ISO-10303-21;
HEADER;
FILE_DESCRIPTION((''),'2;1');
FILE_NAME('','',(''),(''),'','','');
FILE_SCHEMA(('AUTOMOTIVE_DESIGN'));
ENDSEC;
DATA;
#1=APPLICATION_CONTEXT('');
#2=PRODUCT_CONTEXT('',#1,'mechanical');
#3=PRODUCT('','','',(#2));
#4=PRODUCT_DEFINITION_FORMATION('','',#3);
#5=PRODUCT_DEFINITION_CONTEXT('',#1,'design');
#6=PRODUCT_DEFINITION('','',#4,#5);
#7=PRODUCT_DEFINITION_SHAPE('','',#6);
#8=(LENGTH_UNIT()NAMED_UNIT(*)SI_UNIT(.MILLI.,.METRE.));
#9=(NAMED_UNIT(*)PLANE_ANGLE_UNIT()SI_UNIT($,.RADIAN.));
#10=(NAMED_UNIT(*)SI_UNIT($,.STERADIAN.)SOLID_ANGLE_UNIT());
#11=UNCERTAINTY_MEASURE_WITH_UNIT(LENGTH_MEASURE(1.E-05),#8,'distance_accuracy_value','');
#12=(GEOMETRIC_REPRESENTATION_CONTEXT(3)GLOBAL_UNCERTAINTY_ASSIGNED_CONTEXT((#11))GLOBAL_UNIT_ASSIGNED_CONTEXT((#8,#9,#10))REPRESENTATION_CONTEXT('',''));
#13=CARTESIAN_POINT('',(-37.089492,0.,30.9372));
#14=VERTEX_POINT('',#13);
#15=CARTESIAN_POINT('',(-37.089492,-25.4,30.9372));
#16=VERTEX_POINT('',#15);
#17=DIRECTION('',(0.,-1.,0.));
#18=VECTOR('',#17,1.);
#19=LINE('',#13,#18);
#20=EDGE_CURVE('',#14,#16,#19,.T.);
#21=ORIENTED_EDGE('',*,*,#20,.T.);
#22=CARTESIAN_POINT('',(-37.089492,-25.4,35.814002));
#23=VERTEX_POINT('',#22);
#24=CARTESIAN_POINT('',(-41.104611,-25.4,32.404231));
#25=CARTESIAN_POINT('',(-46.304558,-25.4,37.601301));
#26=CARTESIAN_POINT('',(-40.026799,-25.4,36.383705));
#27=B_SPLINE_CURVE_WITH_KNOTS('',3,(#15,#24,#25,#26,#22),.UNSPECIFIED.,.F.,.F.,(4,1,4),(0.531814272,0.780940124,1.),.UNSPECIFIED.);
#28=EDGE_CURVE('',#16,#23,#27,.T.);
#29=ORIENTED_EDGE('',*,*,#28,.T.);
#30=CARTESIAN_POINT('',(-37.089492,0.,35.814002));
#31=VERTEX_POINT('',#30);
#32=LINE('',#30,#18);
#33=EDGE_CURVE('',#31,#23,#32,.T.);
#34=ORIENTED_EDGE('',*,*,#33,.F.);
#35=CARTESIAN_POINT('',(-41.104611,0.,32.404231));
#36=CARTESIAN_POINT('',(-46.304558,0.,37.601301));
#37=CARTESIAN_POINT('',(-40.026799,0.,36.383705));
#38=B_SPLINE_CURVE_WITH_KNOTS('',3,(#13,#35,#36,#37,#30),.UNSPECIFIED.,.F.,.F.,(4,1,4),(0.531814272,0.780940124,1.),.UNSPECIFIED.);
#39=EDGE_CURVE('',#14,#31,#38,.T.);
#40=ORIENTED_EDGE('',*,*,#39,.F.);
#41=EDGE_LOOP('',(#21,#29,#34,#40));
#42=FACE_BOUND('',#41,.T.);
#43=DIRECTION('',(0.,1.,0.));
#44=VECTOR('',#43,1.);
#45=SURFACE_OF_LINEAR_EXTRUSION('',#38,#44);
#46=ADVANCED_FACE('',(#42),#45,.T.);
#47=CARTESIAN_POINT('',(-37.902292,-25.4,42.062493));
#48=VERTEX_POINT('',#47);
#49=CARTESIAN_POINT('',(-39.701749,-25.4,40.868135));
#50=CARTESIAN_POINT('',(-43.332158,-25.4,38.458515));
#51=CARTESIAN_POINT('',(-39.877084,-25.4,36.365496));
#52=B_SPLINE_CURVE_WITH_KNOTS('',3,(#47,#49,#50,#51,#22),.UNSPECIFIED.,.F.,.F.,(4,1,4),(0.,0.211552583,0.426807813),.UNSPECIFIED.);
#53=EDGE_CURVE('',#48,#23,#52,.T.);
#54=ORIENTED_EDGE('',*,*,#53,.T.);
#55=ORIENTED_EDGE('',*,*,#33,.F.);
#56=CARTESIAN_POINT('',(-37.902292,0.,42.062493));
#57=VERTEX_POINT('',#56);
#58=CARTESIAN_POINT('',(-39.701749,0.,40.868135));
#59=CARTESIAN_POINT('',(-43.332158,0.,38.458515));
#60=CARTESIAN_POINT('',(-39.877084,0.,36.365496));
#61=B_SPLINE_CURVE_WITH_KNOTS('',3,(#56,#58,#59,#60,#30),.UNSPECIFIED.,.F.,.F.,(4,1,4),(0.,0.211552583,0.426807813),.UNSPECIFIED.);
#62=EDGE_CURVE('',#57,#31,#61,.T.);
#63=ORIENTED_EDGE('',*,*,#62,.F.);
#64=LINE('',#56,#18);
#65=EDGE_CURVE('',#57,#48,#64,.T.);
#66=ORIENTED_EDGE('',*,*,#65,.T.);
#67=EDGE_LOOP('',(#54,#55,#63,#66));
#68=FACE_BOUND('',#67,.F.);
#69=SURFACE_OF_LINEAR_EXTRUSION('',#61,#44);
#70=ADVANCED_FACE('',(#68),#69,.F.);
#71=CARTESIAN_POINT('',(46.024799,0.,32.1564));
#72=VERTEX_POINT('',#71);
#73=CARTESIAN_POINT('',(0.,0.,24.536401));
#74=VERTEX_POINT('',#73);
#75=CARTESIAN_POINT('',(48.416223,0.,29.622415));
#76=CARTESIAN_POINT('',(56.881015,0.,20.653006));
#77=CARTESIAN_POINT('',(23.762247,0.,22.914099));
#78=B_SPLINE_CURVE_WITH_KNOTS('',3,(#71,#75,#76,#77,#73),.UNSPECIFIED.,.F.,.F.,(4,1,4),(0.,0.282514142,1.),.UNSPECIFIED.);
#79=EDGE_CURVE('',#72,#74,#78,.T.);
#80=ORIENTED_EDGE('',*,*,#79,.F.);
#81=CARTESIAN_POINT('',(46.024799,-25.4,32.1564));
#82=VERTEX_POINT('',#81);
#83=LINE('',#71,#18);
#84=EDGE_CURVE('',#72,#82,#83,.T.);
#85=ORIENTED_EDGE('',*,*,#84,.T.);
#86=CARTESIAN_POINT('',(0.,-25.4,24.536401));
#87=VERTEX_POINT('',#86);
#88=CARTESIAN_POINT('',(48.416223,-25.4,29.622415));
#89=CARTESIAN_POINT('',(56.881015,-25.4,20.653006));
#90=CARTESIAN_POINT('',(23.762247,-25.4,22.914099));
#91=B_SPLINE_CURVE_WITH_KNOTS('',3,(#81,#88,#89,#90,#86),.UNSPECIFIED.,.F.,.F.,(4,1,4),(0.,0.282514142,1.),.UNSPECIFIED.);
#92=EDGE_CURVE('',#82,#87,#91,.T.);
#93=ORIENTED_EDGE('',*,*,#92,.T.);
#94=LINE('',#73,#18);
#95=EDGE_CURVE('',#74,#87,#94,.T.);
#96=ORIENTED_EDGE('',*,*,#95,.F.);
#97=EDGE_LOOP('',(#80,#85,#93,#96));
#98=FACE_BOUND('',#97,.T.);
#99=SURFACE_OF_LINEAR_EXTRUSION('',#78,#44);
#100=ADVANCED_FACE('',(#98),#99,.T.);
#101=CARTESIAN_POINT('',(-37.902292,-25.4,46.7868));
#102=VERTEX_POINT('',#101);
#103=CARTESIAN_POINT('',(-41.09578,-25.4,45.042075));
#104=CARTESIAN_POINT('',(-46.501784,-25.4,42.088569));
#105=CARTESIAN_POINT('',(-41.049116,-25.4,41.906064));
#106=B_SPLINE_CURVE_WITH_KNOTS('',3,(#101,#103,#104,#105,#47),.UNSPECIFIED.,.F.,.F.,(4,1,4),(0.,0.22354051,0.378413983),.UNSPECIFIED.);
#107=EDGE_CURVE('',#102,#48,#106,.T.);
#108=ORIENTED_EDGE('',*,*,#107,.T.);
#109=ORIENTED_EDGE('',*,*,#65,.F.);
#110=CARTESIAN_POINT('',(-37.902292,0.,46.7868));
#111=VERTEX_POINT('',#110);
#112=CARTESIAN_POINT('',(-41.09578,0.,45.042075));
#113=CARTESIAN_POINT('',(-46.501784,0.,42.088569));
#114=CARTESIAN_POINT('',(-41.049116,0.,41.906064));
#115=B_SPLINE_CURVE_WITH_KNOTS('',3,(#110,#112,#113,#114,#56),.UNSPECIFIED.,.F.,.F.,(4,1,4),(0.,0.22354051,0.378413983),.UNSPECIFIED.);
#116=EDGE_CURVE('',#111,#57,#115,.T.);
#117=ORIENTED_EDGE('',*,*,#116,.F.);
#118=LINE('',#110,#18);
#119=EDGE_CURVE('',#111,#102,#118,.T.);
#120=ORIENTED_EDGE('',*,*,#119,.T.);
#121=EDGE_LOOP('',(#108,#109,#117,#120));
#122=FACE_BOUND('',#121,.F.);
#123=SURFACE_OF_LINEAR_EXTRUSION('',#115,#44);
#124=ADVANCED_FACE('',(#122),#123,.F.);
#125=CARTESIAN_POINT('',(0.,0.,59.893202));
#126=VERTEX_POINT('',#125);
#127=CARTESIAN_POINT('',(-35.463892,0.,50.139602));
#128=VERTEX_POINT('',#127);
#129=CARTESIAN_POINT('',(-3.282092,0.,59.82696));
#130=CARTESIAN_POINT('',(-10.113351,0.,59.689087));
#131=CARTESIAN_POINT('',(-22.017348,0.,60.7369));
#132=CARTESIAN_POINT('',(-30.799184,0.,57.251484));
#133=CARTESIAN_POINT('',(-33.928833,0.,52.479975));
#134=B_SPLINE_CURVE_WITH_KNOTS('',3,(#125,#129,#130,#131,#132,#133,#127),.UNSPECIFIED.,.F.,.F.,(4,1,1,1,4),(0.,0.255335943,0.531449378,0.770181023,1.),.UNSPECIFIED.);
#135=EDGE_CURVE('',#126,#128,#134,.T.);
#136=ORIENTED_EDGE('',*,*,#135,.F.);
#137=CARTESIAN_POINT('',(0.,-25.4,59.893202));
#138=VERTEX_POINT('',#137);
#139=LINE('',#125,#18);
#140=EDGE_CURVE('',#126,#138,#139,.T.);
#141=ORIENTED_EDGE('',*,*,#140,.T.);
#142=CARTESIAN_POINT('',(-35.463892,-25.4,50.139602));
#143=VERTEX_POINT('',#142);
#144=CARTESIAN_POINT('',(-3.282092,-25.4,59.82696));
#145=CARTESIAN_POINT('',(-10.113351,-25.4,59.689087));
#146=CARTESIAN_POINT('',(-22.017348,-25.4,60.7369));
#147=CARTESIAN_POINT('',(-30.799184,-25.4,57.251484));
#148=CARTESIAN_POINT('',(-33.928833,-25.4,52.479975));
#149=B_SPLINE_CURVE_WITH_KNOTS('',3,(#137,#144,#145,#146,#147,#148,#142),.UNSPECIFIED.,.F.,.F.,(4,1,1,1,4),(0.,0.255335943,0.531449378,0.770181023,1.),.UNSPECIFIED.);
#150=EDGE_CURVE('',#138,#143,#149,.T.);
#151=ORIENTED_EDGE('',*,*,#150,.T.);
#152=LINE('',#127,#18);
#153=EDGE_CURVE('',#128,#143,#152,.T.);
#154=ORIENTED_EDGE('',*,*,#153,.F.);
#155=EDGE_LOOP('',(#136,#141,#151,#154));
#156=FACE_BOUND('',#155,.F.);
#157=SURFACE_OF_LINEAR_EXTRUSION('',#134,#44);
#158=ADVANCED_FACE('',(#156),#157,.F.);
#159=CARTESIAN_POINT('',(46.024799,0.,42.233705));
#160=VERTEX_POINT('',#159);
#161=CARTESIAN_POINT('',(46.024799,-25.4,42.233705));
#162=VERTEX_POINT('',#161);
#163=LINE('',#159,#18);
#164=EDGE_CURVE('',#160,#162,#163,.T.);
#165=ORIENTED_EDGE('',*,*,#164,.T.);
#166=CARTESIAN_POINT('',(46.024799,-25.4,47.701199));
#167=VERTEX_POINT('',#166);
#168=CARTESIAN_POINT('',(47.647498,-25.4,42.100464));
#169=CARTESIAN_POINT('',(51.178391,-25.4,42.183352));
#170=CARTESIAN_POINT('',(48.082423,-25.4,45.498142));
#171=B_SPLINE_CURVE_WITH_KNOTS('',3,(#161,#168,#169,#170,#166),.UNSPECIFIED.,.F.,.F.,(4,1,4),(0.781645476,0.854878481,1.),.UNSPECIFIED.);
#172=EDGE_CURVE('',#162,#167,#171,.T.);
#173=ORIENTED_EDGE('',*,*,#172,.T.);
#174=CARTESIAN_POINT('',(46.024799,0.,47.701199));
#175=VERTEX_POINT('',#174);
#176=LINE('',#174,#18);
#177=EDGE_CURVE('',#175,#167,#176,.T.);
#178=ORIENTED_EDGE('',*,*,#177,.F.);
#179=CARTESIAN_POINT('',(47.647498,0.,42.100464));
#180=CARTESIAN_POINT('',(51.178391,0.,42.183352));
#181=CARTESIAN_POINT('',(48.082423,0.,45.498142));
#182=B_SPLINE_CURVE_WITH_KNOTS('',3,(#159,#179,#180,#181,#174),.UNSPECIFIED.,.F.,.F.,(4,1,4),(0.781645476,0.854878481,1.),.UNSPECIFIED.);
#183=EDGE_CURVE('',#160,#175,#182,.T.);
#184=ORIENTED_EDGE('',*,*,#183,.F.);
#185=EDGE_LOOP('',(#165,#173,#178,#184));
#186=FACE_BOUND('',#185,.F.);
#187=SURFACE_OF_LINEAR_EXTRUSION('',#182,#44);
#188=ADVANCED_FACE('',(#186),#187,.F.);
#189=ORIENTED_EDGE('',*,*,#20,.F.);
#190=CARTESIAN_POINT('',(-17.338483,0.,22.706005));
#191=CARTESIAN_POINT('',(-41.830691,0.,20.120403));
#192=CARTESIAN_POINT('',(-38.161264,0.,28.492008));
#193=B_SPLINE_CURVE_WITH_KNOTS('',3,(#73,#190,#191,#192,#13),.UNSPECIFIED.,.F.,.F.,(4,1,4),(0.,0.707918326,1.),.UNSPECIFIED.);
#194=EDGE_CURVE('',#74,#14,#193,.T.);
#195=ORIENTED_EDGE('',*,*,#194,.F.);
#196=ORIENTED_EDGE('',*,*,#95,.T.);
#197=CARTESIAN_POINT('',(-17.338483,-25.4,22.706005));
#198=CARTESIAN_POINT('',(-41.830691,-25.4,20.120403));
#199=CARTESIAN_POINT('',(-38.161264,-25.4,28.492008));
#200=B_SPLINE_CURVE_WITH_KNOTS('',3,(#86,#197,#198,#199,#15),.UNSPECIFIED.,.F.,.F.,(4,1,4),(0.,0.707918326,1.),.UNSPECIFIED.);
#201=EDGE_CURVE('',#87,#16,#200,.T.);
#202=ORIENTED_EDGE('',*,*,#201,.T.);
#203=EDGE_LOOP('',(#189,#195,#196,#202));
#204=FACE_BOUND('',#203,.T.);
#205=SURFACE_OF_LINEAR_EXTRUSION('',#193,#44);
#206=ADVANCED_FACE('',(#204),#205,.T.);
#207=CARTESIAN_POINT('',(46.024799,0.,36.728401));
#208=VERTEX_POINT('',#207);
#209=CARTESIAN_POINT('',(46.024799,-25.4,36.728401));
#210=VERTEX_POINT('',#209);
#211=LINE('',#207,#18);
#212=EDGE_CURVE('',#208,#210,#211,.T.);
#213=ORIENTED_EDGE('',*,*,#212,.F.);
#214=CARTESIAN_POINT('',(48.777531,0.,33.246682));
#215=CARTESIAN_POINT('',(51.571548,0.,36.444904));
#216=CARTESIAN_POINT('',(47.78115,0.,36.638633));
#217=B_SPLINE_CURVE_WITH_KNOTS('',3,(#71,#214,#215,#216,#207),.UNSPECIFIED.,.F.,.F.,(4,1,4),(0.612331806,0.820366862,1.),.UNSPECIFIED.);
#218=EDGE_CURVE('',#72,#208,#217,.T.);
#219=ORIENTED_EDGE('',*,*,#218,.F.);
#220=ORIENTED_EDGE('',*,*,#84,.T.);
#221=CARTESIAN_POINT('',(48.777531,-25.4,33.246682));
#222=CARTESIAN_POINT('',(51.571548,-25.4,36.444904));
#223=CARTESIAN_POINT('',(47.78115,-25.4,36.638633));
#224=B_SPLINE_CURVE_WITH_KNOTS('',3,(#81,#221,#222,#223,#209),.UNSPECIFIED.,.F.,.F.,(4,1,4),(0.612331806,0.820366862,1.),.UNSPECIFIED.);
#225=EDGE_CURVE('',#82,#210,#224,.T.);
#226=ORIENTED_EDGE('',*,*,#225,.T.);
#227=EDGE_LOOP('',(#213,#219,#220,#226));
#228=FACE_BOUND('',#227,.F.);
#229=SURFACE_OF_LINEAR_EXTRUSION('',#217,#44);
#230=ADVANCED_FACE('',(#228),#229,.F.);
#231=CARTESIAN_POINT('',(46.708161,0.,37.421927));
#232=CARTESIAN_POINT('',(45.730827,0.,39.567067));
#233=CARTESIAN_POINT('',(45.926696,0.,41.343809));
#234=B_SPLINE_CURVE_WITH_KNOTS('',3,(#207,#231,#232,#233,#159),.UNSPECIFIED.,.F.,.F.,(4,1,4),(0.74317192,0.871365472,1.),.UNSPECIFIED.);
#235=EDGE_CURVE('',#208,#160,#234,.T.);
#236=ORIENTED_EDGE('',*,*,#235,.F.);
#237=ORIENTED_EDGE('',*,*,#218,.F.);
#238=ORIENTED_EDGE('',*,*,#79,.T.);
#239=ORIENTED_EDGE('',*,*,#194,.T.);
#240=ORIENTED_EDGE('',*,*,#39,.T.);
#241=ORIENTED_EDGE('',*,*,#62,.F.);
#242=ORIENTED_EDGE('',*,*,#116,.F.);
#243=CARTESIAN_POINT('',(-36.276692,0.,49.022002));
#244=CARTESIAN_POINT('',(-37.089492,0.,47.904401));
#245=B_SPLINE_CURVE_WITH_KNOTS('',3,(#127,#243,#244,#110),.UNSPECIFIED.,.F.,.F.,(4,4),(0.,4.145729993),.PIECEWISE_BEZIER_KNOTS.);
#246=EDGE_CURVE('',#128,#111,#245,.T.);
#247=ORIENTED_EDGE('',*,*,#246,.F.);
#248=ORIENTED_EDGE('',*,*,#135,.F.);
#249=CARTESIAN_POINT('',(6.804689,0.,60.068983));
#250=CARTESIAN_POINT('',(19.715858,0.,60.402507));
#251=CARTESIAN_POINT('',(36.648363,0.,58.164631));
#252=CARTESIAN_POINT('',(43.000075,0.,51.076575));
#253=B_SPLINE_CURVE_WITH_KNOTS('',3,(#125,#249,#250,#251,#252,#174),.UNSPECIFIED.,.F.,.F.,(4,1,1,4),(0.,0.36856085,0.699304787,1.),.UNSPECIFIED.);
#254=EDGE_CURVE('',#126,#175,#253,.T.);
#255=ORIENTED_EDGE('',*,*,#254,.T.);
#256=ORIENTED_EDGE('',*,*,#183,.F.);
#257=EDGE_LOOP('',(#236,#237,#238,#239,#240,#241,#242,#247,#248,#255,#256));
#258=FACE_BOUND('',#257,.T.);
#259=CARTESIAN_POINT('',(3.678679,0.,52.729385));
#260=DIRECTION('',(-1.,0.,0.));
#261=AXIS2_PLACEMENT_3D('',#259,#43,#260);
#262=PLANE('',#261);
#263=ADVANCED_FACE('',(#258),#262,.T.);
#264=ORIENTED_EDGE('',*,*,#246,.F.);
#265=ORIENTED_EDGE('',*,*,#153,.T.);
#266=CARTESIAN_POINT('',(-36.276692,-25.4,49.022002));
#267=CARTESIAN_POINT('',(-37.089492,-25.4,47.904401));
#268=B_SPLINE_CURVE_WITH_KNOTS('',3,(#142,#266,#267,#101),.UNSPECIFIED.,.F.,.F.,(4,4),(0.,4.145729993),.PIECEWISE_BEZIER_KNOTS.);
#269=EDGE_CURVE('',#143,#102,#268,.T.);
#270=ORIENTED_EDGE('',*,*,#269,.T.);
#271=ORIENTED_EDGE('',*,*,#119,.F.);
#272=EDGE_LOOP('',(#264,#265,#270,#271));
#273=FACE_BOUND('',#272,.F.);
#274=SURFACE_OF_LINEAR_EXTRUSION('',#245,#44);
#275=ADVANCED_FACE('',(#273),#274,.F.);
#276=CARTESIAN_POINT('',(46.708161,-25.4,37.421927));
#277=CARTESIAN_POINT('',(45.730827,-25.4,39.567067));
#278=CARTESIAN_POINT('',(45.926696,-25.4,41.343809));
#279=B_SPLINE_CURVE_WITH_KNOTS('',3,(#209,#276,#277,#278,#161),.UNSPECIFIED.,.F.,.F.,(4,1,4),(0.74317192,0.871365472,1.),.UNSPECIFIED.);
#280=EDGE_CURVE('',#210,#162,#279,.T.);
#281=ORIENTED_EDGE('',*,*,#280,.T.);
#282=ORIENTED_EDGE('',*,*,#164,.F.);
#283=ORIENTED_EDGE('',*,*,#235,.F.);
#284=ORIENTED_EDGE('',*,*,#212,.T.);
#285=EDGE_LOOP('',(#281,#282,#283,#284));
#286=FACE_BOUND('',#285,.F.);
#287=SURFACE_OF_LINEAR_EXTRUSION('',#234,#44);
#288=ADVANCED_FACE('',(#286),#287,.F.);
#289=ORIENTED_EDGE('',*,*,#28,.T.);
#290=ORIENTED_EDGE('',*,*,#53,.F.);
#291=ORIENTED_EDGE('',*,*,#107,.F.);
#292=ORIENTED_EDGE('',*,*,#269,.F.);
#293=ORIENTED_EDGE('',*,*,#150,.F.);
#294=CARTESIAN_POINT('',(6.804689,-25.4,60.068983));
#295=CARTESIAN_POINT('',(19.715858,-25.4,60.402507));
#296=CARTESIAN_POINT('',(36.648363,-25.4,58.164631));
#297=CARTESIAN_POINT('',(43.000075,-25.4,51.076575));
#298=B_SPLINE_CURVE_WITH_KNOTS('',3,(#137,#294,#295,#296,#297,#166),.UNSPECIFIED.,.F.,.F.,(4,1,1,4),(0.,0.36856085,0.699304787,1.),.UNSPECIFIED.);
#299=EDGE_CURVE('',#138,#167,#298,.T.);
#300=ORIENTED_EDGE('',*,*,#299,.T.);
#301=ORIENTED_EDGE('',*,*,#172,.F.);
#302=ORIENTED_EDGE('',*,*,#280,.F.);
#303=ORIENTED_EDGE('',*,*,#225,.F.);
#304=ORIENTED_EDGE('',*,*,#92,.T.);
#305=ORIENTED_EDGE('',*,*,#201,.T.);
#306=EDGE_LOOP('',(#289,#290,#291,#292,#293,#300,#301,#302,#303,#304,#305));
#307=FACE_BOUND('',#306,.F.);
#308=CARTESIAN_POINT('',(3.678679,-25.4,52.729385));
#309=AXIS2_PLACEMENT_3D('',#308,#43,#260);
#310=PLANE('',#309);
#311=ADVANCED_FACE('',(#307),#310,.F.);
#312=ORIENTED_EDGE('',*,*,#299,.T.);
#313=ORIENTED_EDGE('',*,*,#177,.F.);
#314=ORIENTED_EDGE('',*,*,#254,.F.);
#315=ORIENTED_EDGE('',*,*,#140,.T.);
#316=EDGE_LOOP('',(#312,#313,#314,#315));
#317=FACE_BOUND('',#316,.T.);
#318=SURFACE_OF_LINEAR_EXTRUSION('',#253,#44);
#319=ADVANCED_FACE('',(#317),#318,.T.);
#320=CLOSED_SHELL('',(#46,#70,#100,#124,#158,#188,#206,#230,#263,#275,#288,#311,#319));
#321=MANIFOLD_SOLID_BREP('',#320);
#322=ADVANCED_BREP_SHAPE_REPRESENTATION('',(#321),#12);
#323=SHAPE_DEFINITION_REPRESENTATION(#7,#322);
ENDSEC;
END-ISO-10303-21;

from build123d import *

# Parameters (mm, degrees)
F1_DEPTH = 25.4


with BuildPart() as f1:
    # F0 (on Front) → F1 (new body)
    with BuildSketch(Plane.XZ):
        with BuildLine():
            add(Edge.make_bspline(
                [(0, 59.8932020366), (6.8046888052, 60.0689825623), (19.7158578937, 60.4025073058), (36.6483628476, 58.1646306978), (43.0000749265, 51.0765745905), (46.0247993469, 47.7011986077)],
                knots=[0, 0, 0, 0, 0.3685608501, 0.699304787, 1, 1, 1, 1], degree=3))
            add(Edge.make_bspline(
                [(0, 59.8932020366), (-3.2820922447, 59.8269604973), (-10.1133509432, 59.6890871353), (-22.0173476982, 60.7369003066), (-30.7991840254, 57.2514841881), (-33.928833126, 52.4799753769), (-35.4638919234, 50.1396022737)],
                knots=[0, 0, 0, 0, 0.2553359432, 0.5314493783, 0.7701810233, 1, 1, 1, 1], degree=3))
            add(Edge.make_bspline(
                [(-35.4638919234, 50.1396022737), (-36.2766919037, 49.0220015248), (-37.0894918839, 47.9044007758), (-37.9022918642, 46.7868000269)],
                knots=[0, 0, 0, 0, 4.1457299933, 4.1457299933, 4.1457299933, 4.1457299933], degree=3))
            Line((-37.9022918642, 46.7868000269), (0, 47.7011986077))
            Line((0, 47.7011986077), (46.0247993469, 47.7011986077))
        make_face()
        with BuildLine():
            add(Edge.make_bspline(
                [(46.0247993469, 42.2337048809), (47.6474975897, 42.1004644463), (51.1783905244, 42.1833520204), (48.0824232075, 45.4981420582), (46.0247993469, 47.7011986077)],
                knots=[0.7816454756, 0.7816454756, 0.7816454756, 0.7816454756, 0.8548784811, 1, 1, 1, 1], degree=3))
            Line((46.0247993469, 47.7011986077), (0, 47.7011986077))
            Line((0, 47.7011986077), (-37.9022918642, 46.7868000269))
            add(Edge.make_bspline(
                [(-37.9022918642, 46.7868000269), (-41.0957803729, 45.0420750167), (-46.5017835563, 42.0885685508), (-41.0491159439, 41.9060636229), (-37.9022918642, 42.0624932817)],
                knots=[0, 0, 0, 0, 0.2235405097, 0.3784139832, 0.3784139832, 0.3784139832, 0.3784139832], degree=3))
            add(Edge.make_bspline(
                [(-37.9022918642, 42.0624932817), (-32.4753155177, 42.3322700589), (-13.5107390429, 44.5598575097), (-4.9068389908, 44.0369928576), (0, 43.7388010323)],
                knots=[0.3784139832, 0.3784139832, 0.3784139832, 0.3784139832, 0.6455069811, 1, 1, 1, 1], degree=3))
            add(Edge.make_bspline(
                [(0, 43.7388010323), (2.5133837825, 43.982323659), (8.1524578582, 44.5286955026), (22.4039567749, 39.4814231996), (22.8105180978, 39.3503638017), (29.0138602632, 45.1122643856), (42.0385480595, 42.5610176491), (46.0247993469, 42.2337048809)],
                knots=[0, 0, 0, 0, 0.1764797723, 0.3959532627, 0.4283550307, 0.601744398, 0.7816454756, 0.7816454756, 0.7816454756, 0.7816454756], degree=3))
        make_face()
        with BuildLine():
            add(Edge.make_bspline(
                [(46.0247993469, 36.728400737), (46.7081605925, 37.4219271252), (45.7308267084, 39.5670669402), (45.9266963644, 41.3438086761), (46.0247993469, 42.2337048809)],
                knots=[0.7431719198, 0.7431719198, 0.7431719198, 0.7431719198, 0.8713654724, 1, 1, 1, 1], degree=3))
            add(Edge.make_bspline(
                [(0, 43.7388010323), (2.5133837825, 43.982323659), (8.1524578582, 44.5286955026), (22.4039567749, 39.4814231996), (22.8105180978, 39.3503638017), (29.0138602632, 45.1122643856), (42.0385480595, 42.5610176491), (46.0247993469, 42.2337048809)],
                knots=[0, 0, 0, 0, 0.1764797723, 0.3959532627, 0.4283550307, 0.601744398, 0.7816454756, 0.7816454756, 0.7816454756, 0.7816454756], degree=3))
            add(Edge.make_bspline(
                [(-37.9022918642, 42.0624932817), (-32.4753155177, 42.3322700589), (-13.5107390429, 44.5598575097), (-4.9068389908, 44.0369928576), (0, 43.7388010323)],
                knots=[0.3784139832, 0.3784139832, 0.3784139832, 0.3784139832, 0.6455069811, 1, 1, 1, 1], degree=3))
            add(Edge.make_bspline(
                [(-37.9022918642, 42.0624932817), (-39.7017491155, 40.8681350431), (-43.3321581822, 38.4585145993), (-39.8770844622, 36.3654957362), (-37.0894918839, 35.8140021563)],
                knots=[0, 0, 0, 0, 0.2115525828, 0.4268078134, 0.4268078134, 0.4268078134, 0.4268078134], degree=3))
            add(Edge.make_bspline(
                [(-37.0894918839, 35.8140021563), (-29.6665536307, 34.345458), (-14.8332768151, 36.4513298119), (0, 38.5572016239)],
                knots=[0.4268078134, 0.4268078134, 0.4268078134, 0.4268078134, 1, 1, 1, 1], degree=3))
            add(Edge.make_bspline(
                [(0, 38.5572016239), (6.7437774596, 38.0587615619), (20.2968390974, 37.0570397636), (44.0344124672, 34.7084064329), (46.0247993469, 36.728400737)],
                knots=[0, 0, 0, 0, 0.3697899541, 0.7431719198, 0.7431719198, 0.7431719198, 0.7431719198], degree=3))
        make_face()
        with BuildLine():
            add(Edge.make_bspline(
                [(46.0247993469, 32.1564003825), (48.7775313536, 33.246682209), (51.5715483246, 36.4449040227), (47.7811497513, 36.6386329161), (46.0247993469, 36.728400737)],
                knots=[0.612331806, 0.612331806, 0.612331806, 0.612331806, 0.8203668622, 1, 1, 1, 1], degree=3))
            add(Edge.make_bspline(
                [(0, 38.5572016239), (6.7437774596, 38.0587615619), (20.2968390974, 37.0570397636), (44.0344124672, 34.7084064329), (46.0247993469, 36.728400737)],
                knots=[0, 0, 0, 0, 0.3697899541, 0.7431719198, 0.7431719198, 0.7431719198, 0.7431719198], degree=3))
            add(Edge.make_bspline(
                [(-37.0894918839, 35.8140021563), (-29.6665536307, 34.345458), (-14.8332768151, 36.4513298119), (0, 38.5572016239)],
                knots=[0.4268078134, 0.4268078134, 0.4268078134, 0.4268078134, 1, 1, 1, 1], degree=3))
            add(Edge.make_bspline(
                [(-37.0894918839, 30.9372004122), (-41.1046113962, 32.4042307992), (-46.3045582853, 37.6013010837), (-40.0267988567, 36.3837045733), (-37.0894918839, 35.8140021563)],
                knots=[0.5318142718, 0.5318142718, 0.5318142718, 0.5318142718, 0.7809401237, 1, 1, 1, 1], degree=3))
            add(Edge.make_bspline(
                [(0, 33.3756022155), (-14.2591652939, 30.5905507787), (-28.5183305878, 27.8054993419), (-37.0894918839, 30.9372004122)],
                knots=[0, 0, 0, 0, 0.5318142718, 0.5318142718, 0.5318142718, 0.5318142718], degree=3))
            add(Edge.make_bspline(
                [(0, 33.3756022155), (18.9611945736, 31.1614298097), (37.9223891473, 28.9472574039), (46.0247993469, 32.1564003825)],
                knots=[0, 0, 0, 0, 0.612331806, 0.612331806, 0.612331806, 0.612331806], degree=3))
        make_face()
        with BuildLine():
            add(Edge.make_bspline(
                [(46.0247993469, 32.1564003825), (48.4162228948, 29.6224154714), (56.8810152452, 20.6530063883), (23.7622474956, 22.9140990354), (0, 24.5364010334)],
                knots=[0, 0, 0, 0, 0.282514142, 1, 1, 1, 1], degree=3))
            add(Edge.make_bspline(
                [(0, 33.3756022155), (18.9611945736, 31.1614298097), (37.9223891473, 28.9472574039), (46.0247993469, 32.1564003825)],
                knots=[0, 0, 0, 0, 0.612331806, 0.612331806, 0.612331806, 0.612331806], degree=3))
            add(Edge.make_bspline(
                [(0, 33.3756022155), (-14.2591652939, 30.5905507787), (-28.5183305878, 27.8054993419), (-37.0894918839, 30.9372004122)],
                knots=[0, 0, 0, 0, 0.5318142718, 0.5318142718, 0.5318142718, 0.5318142718], degree=3))
            add(Edge.make_bspline(
                [(0, 24.5364010334), (-17.3384829989, 22.7060054154), (-41.8306911399, 20.1204026), (-38.1612642351, 28.4920079202), (-37.0894918839, 30.9372004122)],
                knots=[0, 0, 0, 0, 0.7079183265, 1, 1, 1, 1], degree=3))
        make_face()
    extrude(amount=F1_DEPTH)


solid = f1.part
